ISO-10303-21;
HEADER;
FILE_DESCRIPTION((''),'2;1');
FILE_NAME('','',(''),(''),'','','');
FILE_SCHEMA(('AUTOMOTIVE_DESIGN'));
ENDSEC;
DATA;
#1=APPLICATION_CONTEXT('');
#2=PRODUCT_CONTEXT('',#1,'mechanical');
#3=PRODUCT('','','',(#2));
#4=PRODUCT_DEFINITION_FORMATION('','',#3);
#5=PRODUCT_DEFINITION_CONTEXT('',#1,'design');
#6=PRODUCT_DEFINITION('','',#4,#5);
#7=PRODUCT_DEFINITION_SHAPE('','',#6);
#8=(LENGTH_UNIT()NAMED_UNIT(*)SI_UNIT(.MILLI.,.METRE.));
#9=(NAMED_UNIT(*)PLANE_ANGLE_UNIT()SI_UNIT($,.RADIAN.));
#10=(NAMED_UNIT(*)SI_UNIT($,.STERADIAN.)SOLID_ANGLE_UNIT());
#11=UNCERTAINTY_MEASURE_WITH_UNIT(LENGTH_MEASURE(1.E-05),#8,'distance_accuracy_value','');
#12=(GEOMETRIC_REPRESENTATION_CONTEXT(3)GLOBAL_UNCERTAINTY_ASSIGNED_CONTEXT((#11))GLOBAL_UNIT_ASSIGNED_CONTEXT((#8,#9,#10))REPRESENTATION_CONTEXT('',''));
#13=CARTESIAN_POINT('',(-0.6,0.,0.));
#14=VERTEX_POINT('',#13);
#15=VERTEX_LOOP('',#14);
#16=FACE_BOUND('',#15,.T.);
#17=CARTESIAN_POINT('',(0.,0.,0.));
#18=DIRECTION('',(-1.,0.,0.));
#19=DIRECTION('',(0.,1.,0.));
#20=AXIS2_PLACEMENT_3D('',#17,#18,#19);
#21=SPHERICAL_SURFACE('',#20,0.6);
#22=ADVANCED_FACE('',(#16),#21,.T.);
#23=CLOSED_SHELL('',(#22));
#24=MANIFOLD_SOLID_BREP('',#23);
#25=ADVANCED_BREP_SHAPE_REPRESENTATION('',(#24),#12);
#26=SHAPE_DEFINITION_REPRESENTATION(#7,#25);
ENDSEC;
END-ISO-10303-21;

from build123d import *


with BuildPart() as part:
    # Эскиз1 → Повернуть1 (revolve)
    with BuildSketch(Plane.XY):
        with BuildLine():
            Line((-0.6, 0), (0.6, 0))
            ThreePointArc((0.6, 0), (0, 0.6), (-0.6, 0))
        make_face()
    revolve(axis=Axis((-0.6, 0, 0), (1, 0, 0)))


solid = part.part
